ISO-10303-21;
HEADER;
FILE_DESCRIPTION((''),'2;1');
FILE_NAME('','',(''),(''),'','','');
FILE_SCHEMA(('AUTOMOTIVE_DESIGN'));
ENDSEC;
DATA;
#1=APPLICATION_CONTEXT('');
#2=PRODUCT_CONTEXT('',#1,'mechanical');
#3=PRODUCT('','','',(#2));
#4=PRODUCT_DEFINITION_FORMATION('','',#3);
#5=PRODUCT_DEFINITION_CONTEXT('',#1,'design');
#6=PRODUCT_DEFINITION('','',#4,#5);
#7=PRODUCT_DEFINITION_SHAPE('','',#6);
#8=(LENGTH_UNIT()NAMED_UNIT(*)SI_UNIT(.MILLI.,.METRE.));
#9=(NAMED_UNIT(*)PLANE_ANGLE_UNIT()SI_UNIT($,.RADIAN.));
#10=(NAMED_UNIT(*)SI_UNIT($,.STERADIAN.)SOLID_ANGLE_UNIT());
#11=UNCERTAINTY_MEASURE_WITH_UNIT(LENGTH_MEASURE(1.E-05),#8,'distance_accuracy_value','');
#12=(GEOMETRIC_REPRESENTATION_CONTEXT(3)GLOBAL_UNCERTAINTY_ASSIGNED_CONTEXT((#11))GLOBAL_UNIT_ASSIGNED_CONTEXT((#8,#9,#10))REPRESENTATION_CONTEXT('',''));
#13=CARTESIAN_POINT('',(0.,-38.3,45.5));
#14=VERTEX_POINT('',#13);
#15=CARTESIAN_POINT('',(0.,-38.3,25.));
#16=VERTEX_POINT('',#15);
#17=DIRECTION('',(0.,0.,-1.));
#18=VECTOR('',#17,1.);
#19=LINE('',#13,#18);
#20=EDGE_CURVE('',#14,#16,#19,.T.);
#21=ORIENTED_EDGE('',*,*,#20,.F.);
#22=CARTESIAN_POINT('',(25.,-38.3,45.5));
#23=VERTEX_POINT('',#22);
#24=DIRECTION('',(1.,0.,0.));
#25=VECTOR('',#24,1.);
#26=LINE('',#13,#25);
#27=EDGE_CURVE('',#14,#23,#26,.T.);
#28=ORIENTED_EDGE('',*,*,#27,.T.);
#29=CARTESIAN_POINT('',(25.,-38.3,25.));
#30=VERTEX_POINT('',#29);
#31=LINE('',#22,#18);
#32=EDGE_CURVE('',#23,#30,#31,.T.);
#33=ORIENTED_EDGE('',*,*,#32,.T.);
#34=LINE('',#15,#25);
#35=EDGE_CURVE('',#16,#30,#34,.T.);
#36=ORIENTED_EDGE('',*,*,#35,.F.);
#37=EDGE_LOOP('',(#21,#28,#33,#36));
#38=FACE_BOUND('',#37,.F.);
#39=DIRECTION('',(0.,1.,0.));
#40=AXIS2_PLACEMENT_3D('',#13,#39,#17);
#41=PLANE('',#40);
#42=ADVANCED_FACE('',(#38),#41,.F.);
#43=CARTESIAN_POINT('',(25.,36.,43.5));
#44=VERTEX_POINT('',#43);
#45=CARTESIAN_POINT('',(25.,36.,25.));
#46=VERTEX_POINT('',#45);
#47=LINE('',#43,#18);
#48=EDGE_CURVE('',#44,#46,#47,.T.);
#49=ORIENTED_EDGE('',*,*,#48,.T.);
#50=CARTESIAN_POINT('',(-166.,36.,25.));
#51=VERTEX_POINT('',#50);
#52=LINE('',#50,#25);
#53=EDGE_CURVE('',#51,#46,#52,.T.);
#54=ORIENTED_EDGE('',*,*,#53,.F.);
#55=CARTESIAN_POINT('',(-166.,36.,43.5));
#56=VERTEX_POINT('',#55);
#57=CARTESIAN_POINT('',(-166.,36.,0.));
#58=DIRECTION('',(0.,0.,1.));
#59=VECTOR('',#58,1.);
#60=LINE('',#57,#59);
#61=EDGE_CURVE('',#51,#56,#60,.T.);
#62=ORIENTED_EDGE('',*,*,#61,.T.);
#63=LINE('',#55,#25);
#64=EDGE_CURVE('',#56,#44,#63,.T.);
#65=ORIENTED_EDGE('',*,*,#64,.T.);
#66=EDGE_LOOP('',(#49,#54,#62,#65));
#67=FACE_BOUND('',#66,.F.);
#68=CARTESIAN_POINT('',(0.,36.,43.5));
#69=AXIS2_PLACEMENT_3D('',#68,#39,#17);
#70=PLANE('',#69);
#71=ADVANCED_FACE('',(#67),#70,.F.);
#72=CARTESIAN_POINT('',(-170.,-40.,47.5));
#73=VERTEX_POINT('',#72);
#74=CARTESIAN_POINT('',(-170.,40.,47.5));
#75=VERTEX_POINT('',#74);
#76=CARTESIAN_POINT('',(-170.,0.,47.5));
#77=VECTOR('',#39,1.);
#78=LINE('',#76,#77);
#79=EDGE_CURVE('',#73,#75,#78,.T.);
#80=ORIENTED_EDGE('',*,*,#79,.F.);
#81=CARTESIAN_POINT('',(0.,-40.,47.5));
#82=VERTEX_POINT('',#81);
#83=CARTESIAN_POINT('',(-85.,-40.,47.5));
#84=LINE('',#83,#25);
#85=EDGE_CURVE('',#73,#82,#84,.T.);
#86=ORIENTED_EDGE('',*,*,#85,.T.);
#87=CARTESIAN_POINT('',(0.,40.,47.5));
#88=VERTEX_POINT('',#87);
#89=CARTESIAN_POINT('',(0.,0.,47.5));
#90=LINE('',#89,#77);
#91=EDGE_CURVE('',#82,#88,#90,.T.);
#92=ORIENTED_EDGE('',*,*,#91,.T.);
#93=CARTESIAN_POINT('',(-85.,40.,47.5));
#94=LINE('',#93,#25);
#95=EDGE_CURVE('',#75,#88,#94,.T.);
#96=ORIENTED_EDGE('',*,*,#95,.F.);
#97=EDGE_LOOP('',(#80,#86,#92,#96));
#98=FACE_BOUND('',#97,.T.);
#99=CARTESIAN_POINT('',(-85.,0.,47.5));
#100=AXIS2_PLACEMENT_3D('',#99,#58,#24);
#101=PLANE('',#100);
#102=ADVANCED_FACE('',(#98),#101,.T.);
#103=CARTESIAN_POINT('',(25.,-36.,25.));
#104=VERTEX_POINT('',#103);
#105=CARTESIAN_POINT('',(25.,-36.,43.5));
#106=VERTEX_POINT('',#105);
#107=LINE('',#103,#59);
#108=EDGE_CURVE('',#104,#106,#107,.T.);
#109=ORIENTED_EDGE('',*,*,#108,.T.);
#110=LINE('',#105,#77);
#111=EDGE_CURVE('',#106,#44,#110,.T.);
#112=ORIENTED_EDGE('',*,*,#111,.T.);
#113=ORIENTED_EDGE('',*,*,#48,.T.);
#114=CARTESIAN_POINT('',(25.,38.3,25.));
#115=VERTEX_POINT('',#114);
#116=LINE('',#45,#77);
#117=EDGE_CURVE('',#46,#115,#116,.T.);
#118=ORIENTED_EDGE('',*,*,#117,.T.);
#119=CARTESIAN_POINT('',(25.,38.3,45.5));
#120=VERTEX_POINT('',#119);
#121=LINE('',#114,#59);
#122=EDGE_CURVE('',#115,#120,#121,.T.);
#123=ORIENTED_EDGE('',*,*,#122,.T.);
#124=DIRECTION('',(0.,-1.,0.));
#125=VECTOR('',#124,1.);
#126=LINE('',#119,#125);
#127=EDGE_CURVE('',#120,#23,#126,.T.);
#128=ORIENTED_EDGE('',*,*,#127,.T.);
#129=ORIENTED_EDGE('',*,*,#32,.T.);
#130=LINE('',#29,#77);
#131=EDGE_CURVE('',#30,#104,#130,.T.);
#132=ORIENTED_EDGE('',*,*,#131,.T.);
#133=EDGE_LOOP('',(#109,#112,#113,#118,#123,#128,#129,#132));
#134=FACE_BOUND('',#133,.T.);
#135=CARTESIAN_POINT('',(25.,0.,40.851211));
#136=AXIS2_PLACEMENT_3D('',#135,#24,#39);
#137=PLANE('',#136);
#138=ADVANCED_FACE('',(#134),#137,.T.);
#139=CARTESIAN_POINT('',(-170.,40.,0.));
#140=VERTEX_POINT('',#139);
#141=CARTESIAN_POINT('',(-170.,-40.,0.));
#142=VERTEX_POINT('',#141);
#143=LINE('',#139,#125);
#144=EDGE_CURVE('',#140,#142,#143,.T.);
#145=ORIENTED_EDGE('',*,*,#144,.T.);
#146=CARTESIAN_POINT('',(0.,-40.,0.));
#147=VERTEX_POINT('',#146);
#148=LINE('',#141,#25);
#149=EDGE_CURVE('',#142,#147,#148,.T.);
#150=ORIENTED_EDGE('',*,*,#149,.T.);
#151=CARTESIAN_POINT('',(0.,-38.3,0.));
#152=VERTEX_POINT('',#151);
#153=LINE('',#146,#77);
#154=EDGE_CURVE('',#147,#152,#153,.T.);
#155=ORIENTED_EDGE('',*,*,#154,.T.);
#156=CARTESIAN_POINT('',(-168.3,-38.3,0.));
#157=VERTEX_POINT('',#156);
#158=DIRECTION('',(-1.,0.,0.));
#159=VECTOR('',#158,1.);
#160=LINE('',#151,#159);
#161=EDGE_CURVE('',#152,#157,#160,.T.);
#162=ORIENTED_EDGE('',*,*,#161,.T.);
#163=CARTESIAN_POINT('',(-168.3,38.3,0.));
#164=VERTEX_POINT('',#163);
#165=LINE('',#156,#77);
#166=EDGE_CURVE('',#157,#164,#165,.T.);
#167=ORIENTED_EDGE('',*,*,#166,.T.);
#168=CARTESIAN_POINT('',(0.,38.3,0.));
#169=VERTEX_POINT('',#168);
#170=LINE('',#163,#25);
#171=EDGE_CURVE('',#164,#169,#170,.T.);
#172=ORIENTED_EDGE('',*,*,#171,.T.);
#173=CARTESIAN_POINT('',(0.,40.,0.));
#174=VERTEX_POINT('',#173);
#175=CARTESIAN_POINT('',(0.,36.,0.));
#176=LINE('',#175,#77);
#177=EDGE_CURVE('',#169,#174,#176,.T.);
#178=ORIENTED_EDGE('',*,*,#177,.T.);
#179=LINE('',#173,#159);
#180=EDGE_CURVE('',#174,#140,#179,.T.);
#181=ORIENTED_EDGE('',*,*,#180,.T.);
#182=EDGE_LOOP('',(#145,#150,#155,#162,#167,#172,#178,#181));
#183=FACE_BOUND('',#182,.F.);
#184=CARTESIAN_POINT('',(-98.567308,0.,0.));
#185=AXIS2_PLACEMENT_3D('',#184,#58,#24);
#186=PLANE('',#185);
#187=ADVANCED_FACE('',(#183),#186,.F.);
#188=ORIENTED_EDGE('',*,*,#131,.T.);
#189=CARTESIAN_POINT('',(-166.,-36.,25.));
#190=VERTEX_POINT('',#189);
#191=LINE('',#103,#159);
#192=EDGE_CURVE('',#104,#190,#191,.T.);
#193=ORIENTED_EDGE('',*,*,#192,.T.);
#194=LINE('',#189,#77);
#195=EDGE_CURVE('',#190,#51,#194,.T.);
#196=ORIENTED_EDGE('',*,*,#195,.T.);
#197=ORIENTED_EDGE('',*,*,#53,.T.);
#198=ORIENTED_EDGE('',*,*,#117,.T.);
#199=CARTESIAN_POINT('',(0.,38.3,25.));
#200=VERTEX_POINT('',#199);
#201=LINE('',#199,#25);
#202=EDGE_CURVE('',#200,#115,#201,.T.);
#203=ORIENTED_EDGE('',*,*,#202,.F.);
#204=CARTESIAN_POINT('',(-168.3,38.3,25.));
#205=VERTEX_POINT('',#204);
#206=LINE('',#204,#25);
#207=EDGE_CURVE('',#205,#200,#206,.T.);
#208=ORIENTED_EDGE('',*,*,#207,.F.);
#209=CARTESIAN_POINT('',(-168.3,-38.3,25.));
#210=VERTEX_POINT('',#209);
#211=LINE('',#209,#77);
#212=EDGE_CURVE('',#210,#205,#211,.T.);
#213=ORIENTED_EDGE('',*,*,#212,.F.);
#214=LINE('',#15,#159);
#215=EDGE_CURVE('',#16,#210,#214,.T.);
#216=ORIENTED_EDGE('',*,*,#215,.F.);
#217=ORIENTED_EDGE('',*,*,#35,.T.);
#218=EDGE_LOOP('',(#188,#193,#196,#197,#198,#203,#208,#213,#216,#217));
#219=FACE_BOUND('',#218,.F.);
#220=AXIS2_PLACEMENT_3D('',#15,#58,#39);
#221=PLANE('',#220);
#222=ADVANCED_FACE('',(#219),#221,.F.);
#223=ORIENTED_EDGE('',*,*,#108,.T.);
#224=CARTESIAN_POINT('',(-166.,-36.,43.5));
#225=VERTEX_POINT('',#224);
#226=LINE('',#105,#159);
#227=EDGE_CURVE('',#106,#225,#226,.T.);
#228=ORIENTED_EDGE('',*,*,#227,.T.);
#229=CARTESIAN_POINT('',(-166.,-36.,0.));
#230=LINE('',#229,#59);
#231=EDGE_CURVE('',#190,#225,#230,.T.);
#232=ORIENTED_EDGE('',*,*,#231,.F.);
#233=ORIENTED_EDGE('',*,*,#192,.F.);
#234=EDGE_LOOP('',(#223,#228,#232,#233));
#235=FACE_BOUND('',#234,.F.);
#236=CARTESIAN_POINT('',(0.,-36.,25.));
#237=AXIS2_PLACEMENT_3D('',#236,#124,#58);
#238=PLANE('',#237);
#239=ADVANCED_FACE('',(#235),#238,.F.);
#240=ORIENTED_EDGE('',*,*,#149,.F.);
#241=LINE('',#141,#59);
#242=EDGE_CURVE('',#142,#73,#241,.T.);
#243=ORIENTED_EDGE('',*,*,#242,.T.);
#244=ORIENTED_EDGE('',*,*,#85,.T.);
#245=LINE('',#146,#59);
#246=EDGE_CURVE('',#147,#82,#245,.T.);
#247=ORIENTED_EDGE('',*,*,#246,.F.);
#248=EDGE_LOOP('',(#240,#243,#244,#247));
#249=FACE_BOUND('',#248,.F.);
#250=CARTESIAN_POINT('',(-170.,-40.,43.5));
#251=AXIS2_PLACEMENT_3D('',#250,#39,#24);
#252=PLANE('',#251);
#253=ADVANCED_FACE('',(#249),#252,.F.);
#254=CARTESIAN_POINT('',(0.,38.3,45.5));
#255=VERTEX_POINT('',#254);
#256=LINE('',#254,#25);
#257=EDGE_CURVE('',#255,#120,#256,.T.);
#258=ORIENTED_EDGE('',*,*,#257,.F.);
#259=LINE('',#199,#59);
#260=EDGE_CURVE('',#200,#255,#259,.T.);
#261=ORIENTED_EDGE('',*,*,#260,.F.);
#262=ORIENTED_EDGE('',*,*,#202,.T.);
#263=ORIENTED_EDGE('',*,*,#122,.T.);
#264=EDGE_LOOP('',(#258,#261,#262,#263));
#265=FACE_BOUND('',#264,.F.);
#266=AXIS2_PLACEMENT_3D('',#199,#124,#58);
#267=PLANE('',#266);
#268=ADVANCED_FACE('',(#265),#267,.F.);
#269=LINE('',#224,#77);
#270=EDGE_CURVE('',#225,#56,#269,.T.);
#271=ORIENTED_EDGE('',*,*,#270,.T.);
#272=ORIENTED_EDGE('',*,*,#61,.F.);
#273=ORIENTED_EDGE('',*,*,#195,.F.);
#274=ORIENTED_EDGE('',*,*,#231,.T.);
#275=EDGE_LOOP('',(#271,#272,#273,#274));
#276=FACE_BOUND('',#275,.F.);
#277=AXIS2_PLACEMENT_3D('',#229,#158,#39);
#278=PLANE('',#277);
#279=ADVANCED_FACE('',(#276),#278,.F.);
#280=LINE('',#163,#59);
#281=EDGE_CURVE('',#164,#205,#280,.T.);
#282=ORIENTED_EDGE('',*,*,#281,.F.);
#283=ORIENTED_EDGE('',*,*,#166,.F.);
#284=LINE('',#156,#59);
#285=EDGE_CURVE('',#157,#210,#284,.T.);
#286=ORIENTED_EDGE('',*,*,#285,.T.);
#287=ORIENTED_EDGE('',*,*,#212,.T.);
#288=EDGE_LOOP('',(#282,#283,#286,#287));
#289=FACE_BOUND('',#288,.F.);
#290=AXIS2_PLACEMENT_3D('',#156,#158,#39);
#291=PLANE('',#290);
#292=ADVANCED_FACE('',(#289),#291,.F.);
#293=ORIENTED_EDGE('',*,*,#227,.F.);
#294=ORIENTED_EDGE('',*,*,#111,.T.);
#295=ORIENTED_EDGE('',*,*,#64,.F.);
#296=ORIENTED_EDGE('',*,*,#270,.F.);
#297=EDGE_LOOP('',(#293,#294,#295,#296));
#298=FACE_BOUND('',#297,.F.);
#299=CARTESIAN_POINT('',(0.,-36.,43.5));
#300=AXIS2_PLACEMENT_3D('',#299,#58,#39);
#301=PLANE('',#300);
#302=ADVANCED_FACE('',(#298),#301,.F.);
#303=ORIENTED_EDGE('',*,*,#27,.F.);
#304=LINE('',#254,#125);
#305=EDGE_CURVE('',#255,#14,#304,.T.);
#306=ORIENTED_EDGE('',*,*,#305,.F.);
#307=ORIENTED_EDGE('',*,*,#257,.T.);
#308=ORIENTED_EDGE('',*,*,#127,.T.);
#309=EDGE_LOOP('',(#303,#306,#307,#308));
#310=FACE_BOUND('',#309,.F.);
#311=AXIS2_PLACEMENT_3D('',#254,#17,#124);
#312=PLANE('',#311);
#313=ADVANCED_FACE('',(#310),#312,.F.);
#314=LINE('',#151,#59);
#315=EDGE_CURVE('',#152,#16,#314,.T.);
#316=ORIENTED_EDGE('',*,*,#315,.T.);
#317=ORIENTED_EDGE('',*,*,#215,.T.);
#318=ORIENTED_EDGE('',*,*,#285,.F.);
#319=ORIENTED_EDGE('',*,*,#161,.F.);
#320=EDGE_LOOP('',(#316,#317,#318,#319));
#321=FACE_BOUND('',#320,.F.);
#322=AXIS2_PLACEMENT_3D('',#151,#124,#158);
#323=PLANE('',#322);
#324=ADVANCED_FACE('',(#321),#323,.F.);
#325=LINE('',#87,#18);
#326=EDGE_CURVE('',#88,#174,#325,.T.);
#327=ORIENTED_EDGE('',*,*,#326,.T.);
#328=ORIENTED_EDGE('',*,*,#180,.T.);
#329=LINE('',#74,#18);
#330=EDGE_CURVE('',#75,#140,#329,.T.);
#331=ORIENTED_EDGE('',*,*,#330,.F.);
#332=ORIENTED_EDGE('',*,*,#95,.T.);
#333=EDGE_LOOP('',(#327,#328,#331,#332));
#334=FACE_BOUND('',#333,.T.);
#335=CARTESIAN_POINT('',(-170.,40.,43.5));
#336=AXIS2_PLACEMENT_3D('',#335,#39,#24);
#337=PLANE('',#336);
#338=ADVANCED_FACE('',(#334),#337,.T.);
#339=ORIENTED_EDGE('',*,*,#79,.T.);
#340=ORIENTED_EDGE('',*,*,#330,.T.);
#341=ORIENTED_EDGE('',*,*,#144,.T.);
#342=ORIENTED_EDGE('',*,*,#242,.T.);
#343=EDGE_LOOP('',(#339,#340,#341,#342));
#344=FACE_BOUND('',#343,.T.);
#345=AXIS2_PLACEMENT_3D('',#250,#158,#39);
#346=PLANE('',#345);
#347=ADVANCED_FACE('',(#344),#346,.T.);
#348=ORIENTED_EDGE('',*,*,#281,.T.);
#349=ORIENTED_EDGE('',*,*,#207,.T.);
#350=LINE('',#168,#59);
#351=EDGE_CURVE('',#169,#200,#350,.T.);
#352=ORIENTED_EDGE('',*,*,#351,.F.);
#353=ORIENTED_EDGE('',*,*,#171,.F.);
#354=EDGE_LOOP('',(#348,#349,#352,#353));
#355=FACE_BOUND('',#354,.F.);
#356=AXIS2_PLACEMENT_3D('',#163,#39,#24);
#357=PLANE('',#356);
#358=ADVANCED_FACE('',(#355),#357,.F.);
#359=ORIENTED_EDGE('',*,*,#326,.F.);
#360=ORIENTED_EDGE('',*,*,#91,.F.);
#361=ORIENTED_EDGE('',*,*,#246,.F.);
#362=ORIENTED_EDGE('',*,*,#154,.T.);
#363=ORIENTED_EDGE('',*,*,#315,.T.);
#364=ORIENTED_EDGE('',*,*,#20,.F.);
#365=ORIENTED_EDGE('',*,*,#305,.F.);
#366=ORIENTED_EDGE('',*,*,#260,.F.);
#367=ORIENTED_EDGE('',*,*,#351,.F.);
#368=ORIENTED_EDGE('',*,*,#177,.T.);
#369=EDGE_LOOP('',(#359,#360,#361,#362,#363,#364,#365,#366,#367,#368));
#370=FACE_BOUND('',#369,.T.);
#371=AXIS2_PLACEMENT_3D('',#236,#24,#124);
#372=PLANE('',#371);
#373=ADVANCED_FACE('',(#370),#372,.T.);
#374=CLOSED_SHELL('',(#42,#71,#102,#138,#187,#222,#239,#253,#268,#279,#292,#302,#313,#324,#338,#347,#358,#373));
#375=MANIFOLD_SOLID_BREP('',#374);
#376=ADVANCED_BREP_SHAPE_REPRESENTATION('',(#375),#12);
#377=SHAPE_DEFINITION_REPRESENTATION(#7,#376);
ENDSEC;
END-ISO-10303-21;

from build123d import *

# Parameters (mm, degrees)
F1_DEPTH  = 43.5
F2_W      = 170
F2_H      = 80
F3_DEPTH  = 4
F5_DEPTH  = 25
F6_W      = 25
F6_H      = 2
F7_DEPTH  = 43.5
F9_DEPTH  = 25
F10_W     = 25
F10_H     = 0.3
F11_DEPTH = 18.5
F12_W     = 25
F12_H     = 2.3
F12_H_2   = 2
F13_DEPTH = 18.5
F15_DEPTH = 25


with BuildPart() as f1:
    # F0 (on Top) → F1 (new body)
    with BuildSketch(Plane.XY):
        Polygon((-166, 0), (-166, 36), (0, 36), (0, 40), (-170, 40), (-170, -40), (0, -40), (0, -36), (-166, -36), align=None)
    extrude(amount=F1_DEPTH)

    # F2 (on face) → F3 (join)
    with BuildSketch(Plane.XY.offset(43.5)):
        with Locations((-85, 0)):
            Rectangle(F2_W, F2_H)
    extrude(amount=F3_DEPTH)

    # F4 (on face) → F5 (cut)
    with BuildSketch(Plane.XY):
        Polygon((0, -36), (-166, -36), (-166, 0), (-166, 36), (0, 36), (0, 38), (-168, 38), (-168, -38), (0, -38), align=None)
    extrude(amount=F5_DEPTH, mode=Mode.SUBTRACT)

    # F6 (on face) → F7 (cut)
    with BuildSketch(Plane.XY):
        with Locations((-12.5, -37)):
            Rectangle(F6_W, F6_H)
        with Locations((-12.5, 37)):
            Rectangle(F6_W, F6_H)
    extrude(amount=F7_DEPTH, mode=Mode.SUBTRACT)

    # F8 (on face) → F9 (cut)
    with BuildSketch(Plane(origin=(0, 0, 0), x_dir=(1, 0, 0), z_dir=(0, 0, -1))):
        Polygon((-168, -38), (-168, 38), (0, 38), (0, 38.3), (-168.3, 38.3), (-168.3, -38.3), (0, -38.3), (0, -38), align=None)
    extrude(amount=-F9_DEPTH, mode=Mode.SUBTRACT)

    # F10 (on face) → F11 (cut)
    with BuildSketch(Plane(origin=(0, 0, 25), x_dir=(1, 0, 0), z_dir=(0, 0, -1))):
        with Locations((-12.5, 38.15)):
            Rectangle(F10_W, F10_H)
    extrude(amount=-F11_DEPTH, mode=Mode.SUBTRACT)

    # F12 (on face) → F13 (join)
    with BuildSketch(Plane(origin=(0, 0, 25), x_dir=(1, 0, 0), z_dir=(0, 0, -1))):
        with Locations((-12.5, 37.15)):
            Rectangle(F12_W, F12_H)
        with Locations((-12.5, -37)):
            Rectangle(F12_W, F12_H_2)
    extrude(amount=-F13_DEPTH)

    # F14 (on face) → F15 (join)
    with BuildSketch(Plane.YZ):
        Polygon((-36, 43.5), (36, 43.5), (36, 25), (38.3, 25), (38.3, 45.5), (-38.3, 45.5), (-38.3, 25), (-36, 25), align=None)
    extrude(amount=F15_DEPTH)


solid = f1.part
